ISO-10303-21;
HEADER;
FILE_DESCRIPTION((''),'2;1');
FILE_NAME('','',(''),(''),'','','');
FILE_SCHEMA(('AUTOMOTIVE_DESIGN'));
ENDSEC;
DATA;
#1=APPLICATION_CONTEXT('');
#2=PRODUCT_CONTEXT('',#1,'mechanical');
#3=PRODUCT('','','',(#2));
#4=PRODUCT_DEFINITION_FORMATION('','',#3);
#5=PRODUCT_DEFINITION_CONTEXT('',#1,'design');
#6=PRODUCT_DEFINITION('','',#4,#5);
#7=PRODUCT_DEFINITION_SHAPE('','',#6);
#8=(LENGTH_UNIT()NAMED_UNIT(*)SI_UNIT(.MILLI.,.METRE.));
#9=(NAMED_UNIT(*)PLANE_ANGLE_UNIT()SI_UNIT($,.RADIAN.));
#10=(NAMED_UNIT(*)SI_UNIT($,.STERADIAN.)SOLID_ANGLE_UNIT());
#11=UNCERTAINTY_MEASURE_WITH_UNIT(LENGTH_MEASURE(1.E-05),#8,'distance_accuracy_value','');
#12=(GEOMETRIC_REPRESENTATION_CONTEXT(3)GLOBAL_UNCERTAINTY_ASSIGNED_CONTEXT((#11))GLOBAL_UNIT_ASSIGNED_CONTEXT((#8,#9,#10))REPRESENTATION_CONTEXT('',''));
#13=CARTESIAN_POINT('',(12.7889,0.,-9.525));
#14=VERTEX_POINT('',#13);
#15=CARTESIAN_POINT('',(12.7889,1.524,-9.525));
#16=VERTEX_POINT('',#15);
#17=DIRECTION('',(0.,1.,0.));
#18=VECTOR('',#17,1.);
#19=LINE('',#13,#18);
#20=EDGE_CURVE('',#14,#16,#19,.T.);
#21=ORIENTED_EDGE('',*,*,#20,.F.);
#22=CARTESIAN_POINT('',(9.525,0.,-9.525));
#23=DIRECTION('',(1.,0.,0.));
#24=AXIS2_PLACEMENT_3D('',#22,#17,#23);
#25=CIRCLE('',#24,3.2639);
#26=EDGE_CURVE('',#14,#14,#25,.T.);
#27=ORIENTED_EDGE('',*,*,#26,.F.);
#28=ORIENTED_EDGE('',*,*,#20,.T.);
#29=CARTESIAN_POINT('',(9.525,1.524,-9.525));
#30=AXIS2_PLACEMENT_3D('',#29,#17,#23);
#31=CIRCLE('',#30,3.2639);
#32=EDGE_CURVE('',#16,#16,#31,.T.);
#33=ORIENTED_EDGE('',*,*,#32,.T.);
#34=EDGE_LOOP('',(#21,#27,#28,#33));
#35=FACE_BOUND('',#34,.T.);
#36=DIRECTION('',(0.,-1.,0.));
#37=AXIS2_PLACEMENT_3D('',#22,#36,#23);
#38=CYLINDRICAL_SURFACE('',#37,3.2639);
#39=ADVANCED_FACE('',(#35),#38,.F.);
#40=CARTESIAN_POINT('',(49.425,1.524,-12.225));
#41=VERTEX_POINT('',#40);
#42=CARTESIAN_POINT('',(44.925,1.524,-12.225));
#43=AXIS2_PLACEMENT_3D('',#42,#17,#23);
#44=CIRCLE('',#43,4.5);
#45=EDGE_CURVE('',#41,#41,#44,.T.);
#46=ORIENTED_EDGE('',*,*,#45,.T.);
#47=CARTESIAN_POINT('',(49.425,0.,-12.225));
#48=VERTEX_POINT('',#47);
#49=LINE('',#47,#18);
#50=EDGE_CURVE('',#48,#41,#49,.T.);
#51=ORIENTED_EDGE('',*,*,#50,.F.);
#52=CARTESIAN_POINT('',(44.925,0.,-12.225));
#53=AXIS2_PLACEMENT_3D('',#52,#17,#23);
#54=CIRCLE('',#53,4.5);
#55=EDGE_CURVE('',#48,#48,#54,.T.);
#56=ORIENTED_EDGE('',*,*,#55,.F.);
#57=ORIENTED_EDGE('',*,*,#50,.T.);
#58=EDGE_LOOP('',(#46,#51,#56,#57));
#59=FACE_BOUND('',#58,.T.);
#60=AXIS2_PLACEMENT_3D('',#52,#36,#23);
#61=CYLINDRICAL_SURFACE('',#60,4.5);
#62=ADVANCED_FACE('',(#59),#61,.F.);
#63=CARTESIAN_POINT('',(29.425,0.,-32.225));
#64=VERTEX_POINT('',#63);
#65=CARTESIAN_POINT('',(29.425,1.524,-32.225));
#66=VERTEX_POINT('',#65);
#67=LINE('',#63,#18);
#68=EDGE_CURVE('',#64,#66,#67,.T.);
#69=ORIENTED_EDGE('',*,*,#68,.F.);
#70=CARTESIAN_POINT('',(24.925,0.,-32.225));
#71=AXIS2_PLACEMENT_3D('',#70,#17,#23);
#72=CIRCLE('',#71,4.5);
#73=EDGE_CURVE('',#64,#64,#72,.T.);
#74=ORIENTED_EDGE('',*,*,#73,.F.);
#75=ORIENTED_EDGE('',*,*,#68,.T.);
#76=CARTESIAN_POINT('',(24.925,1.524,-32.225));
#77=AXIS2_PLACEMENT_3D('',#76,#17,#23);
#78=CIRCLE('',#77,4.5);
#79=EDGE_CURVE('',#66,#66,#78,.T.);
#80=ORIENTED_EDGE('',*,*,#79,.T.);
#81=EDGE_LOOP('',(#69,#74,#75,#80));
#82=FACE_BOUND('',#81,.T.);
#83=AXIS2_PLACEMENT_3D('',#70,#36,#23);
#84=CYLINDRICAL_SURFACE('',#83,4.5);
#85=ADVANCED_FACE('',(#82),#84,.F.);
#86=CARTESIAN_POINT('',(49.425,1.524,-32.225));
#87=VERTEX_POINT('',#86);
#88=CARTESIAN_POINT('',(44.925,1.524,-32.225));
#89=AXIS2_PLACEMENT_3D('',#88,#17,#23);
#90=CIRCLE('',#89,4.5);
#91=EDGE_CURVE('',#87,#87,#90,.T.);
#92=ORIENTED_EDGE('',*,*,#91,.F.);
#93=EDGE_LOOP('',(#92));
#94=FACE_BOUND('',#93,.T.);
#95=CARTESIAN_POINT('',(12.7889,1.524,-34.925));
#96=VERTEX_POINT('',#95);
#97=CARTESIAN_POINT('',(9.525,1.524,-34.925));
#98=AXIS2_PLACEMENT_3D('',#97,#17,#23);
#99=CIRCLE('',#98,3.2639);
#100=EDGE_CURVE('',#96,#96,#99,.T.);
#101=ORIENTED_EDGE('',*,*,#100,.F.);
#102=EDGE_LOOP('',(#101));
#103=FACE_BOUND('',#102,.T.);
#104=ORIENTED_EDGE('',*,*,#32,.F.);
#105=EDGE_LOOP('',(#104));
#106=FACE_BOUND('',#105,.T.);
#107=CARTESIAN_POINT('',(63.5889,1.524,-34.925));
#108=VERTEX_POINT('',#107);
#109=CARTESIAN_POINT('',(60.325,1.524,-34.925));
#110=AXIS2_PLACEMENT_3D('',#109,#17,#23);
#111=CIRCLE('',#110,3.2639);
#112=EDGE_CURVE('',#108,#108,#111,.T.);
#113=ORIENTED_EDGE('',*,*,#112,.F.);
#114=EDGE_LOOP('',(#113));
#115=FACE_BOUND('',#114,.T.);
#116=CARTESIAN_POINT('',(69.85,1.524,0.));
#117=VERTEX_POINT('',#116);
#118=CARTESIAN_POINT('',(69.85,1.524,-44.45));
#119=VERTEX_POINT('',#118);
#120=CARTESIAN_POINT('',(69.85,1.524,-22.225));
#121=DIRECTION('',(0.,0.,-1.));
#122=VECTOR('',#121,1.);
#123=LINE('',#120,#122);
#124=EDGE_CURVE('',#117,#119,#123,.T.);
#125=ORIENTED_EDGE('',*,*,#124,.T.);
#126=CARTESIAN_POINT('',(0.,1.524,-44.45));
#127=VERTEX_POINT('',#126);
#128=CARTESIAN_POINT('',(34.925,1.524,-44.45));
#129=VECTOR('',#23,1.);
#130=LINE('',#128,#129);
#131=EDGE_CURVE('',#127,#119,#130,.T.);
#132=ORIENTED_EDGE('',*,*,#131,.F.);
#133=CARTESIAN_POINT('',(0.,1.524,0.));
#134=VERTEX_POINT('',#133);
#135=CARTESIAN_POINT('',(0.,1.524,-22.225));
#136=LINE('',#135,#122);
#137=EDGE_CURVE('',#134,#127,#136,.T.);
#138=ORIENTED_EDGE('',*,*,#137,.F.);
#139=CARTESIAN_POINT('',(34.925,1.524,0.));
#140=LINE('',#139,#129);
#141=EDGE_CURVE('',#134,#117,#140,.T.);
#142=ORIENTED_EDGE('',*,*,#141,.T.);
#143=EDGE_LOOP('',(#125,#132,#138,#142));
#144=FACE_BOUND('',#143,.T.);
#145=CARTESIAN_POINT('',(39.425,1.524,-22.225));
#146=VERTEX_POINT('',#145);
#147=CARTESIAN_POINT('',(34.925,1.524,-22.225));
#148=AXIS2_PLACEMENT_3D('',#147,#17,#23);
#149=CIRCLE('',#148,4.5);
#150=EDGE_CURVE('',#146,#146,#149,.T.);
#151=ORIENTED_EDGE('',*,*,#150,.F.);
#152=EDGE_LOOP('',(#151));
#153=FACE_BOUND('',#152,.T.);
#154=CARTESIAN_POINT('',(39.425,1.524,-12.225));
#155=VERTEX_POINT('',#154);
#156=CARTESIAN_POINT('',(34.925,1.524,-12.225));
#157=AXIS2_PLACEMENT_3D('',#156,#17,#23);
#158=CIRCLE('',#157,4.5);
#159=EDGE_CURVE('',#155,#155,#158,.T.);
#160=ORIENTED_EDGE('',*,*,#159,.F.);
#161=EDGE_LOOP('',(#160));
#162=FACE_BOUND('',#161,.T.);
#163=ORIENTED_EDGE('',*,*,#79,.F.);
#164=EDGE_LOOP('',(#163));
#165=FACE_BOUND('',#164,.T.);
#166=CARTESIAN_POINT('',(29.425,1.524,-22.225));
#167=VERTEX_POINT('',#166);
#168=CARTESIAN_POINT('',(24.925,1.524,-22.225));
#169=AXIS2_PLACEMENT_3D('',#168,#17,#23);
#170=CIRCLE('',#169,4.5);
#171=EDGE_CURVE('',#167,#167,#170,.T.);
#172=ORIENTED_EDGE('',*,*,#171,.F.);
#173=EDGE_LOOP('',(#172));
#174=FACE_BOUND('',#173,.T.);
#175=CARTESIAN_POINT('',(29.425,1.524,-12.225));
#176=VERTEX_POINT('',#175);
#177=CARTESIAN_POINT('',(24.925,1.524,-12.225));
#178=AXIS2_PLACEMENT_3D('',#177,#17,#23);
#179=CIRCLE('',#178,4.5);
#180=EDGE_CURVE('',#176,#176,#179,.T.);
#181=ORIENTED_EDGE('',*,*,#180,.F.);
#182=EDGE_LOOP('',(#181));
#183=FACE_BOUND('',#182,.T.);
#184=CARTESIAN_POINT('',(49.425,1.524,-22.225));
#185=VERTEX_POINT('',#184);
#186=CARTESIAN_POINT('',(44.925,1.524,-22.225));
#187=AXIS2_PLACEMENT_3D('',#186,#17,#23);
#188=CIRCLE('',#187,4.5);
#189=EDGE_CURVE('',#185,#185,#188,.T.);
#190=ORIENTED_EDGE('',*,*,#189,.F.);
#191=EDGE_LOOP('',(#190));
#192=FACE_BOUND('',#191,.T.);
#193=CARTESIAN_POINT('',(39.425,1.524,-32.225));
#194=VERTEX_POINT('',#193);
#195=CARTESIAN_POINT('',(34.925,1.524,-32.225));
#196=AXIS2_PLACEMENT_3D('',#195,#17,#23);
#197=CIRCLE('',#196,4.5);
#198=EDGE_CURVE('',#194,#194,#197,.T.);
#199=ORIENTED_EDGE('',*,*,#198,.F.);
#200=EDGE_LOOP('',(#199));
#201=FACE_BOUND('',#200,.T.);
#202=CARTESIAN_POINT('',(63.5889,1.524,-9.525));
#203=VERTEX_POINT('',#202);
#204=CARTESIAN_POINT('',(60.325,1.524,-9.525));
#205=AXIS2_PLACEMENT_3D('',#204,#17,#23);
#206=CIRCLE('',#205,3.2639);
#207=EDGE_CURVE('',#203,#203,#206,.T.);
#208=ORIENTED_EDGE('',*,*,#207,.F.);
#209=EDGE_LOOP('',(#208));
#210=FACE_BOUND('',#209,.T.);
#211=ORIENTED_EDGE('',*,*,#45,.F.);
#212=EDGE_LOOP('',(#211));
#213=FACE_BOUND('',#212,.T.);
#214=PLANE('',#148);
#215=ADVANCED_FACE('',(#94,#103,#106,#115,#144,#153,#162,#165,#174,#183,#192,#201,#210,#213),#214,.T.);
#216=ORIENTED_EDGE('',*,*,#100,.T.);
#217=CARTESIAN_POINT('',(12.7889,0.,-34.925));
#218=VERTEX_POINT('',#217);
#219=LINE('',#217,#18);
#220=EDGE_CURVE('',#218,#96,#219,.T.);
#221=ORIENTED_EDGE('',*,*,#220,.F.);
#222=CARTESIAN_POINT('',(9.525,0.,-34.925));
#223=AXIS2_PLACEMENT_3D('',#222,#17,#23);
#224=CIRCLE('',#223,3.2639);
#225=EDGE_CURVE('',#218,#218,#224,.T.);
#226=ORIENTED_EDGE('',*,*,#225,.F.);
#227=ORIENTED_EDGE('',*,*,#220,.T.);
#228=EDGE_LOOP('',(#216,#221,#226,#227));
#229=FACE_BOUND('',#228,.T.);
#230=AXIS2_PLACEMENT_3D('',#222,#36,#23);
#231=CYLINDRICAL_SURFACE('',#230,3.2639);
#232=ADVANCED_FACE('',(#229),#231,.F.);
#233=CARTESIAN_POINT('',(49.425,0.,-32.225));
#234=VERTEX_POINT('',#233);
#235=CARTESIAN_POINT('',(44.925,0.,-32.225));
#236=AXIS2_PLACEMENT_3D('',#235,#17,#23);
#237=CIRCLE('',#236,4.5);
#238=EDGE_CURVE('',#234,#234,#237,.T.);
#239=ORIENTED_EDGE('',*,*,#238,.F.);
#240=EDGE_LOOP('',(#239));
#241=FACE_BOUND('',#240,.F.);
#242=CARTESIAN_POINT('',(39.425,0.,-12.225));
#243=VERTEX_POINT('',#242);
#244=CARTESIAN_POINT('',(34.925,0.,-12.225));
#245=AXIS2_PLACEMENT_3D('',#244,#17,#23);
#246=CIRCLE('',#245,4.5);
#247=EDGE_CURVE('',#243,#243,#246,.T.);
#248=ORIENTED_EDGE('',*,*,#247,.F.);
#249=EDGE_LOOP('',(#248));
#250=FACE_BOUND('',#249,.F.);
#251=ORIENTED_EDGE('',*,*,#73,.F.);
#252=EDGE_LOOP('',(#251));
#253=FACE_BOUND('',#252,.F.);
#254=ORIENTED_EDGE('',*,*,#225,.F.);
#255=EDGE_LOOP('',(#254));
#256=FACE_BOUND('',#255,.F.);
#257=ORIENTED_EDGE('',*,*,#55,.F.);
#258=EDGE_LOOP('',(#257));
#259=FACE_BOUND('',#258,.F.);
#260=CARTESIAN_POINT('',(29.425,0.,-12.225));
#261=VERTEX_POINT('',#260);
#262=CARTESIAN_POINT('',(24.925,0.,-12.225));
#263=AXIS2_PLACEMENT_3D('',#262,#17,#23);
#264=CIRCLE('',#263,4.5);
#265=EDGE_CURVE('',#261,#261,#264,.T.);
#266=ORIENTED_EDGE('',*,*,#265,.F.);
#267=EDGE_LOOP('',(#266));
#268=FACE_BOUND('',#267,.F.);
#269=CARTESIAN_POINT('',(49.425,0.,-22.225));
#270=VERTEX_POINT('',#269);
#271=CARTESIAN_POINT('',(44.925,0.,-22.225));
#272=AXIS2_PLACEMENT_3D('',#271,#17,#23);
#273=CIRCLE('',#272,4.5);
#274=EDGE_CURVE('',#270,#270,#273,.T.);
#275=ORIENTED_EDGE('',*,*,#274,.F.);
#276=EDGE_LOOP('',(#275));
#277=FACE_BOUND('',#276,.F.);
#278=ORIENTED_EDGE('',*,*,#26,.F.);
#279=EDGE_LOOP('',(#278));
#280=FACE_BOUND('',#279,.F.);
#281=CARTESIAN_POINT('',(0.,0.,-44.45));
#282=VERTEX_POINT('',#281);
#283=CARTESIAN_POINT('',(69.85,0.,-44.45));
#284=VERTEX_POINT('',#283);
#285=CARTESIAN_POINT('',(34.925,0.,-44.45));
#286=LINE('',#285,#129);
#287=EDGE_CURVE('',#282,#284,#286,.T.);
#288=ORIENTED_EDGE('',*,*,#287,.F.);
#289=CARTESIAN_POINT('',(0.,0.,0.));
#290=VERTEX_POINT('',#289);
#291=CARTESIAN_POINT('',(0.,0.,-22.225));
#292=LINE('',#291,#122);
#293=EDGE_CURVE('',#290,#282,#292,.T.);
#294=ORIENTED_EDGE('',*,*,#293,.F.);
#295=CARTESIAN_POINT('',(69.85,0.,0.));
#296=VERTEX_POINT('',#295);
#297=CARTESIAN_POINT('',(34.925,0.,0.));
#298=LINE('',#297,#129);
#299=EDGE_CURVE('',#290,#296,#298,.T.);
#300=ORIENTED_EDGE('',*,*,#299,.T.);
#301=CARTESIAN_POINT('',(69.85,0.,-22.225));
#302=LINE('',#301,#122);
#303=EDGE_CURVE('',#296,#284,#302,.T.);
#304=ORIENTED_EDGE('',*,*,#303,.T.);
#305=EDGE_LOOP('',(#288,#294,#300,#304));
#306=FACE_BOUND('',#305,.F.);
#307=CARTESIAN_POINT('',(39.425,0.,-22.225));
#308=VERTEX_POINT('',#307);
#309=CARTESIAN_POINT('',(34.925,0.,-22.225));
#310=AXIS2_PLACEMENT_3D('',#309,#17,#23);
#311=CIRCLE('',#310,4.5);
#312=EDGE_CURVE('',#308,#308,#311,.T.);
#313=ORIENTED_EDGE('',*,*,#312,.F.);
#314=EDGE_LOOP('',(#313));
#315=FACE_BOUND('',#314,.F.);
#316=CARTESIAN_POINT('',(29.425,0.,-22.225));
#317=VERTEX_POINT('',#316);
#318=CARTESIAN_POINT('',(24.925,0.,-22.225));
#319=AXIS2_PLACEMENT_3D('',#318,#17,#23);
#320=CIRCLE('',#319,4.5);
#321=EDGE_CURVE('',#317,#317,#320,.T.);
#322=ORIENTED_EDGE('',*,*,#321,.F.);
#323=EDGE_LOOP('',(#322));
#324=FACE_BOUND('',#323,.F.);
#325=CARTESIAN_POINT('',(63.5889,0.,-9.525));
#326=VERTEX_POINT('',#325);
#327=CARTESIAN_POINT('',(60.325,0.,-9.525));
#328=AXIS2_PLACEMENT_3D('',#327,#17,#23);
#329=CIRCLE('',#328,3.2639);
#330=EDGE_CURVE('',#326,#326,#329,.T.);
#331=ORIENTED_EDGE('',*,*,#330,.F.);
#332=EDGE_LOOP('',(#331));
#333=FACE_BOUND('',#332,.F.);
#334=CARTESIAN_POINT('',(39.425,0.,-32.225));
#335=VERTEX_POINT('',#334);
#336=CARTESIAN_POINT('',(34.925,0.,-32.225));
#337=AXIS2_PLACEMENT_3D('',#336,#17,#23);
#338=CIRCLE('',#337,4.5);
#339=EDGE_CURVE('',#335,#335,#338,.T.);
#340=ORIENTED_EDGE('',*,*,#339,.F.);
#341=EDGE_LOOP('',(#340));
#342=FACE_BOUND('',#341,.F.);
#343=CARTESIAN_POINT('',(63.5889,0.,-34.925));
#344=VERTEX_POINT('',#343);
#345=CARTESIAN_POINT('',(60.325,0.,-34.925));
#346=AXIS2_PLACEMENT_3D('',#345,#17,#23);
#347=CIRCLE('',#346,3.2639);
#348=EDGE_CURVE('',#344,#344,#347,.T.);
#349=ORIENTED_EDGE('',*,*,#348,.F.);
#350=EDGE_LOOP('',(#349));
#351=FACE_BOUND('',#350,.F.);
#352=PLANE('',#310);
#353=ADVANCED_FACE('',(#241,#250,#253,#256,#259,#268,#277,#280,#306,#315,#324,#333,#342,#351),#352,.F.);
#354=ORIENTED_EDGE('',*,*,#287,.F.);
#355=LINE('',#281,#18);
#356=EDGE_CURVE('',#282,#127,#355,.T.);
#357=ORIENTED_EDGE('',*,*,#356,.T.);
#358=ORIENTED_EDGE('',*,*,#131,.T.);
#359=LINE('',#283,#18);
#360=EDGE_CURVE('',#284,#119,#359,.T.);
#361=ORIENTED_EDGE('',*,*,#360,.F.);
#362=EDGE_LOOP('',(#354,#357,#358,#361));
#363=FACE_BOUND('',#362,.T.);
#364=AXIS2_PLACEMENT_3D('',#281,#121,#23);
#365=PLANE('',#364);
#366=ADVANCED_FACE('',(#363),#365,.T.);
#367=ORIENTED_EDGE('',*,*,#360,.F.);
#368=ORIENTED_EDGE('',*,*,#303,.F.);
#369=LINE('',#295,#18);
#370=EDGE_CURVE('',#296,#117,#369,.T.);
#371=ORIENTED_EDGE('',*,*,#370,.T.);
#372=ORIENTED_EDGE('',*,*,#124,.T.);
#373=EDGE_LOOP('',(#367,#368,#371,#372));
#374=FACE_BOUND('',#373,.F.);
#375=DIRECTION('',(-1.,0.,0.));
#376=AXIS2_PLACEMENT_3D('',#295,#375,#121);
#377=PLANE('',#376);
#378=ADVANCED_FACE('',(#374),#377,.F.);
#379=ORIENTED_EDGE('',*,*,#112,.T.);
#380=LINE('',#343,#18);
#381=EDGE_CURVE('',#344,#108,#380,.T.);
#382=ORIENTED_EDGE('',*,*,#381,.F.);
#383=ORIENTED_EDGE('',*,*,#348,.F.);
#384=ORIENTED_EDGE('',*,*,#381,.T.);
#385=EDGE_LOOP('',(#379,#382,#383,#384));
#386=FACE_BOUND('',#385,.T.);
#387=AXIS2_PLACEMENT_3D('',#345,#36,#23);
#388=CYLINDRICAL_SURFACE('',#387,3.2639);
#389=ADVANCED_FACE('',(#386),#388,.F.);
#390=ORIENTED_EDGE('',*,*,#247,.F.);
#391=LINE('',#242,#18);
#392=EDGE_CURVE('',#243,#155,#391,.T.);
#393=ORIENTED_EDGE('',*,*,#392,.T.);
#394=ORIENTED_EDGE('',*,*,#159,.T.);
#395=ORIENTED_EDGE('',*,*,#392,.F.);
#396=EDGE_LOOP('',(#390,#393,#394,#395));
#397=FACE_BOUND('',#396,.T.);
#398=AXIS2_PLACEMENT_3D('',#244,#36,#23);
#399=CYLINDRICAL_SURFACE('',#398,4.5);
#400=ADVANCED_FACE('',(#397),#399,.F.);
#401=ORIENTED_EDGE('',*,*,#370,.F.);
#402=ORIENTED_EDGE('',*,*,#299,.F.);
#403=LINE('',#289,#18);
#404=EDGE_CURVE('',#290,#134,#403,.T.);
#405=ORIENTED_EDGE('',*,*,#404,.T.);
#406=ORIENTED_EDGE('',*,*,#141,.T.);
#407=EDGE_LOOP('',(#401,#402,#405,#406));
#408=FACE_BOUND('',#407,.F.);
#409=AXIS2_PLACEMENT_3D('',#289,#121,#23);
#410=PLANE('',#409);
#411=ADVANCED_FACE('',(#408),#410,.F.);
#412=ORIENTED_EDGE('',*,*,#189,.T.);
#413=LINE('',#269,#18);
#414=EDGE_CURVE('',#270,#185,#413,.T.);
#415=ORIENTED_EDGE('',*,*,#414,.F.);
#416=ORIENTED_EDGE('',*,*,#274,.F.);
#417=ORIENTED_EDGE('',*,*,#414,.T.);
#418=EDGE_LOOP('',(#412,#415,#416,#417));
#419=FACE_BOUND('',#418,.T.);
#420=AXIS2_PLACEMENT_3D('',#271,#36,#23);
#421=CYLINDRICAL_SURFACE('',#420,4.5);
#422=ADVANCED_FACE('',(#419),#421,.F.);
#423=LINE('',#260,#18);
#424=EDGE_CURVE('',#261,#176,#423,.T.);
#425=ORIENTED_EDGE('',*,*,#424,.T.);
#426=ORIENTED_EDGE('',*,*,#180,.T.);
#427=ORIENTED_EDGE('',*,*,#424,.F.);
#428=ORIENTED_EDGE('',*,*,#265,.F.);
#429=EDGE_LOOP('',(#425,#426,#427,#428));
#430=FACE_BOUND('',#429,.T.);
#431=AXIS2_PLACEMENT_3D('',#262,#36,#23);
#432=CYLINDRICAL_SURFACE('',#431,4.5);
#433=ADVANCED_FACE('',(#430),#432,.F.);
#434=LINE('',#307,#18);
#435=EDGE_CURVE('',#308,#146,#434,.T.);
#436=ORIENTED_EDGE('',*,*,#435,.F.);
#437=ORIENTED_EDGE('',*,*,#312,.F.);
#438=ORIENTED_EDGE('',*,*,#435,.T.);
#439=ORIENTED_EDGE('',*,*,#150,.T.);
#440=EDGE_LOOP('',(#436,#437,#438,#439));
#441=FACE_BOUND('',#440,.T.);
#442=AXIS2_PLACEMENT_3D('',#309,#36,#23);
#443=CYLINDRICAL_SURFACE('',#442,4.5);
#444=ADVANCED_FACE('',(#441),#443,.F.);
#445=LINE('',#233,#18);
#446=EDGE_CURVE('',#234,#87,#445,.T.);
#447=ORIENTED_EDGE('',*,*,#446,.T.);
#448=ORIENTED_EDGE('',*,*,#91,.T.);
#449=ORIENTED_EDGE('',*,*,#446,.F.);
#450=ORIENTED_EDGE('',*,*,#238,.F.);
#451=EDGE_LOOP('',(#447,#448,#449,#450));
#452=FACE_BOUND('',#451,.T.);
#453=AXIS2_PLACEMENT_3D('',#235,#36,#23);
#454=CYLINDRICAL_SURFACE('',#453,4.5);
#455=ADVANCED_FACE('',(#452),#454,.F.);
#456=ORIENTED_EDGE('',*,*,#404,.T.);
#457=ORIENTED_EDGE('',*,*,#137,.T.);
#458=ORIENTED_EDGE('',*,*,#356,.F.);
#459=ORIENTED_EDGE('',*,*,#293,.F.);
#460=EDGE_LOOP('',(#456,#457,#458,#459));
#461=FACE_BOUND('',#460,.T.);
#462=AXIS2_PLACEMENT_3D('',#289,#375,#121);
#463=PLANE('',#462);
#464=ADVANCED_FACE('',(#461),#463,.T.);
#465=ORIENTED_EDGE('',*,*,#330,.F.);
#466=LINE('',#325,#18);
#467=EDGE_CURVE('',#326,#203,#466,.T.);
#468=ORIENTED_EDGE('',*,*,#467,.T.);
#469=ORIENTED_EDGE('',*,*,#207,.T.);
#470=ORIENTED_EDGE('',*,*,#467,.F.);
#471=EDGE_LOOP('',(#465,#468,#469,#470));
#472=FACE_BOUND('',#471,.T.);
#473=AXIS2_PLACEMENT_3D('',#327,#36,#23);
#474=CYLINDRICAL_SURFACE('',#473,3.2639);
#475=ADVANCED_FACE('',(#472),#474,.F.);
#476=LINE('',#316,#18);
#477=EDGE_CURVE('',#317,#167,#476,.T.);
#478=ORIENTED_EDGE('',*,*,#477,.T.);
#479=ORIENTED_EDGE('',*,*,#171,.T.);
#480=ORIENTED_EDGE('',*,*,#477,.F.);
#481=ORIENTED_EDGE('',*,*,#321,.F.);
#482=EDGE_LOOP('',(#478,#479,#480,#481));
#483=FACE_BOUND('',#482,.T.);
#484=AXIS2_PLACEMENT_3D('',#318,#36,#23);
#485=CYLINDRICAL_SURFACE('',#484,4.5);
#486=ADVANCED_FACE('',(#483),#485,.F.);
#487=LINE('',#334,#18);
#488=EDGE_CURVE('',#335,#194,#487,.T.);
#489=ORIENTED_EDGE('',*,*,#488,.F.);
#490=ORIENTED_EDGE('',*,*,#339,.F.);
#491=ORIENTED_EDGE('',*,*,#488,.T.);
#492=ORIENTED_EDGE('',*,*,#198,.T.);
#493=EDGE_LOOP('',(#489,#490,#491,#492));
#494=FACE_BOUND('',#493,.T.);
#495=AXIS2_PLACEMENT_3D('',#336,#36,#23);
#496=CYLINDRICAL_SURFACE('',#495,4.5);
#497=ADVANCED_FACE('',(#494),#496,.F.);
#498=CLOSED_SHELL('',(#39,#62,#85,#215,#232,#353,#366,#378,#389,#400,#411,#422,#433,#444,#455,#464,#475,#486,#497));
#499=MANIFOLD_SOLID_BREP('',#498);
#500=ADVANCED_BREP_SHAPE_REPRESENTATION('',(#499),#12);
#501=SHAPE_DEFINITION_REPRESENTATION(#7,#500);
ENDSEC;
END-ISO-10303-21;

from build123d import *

# Parameters (mm, degrees)
SKETCH1_W           = 69.85
SKETCH1_H           = 44.45
SKETCH1_R           = 4.5
SKETCH1_R_2         = 3.2639
BOSS_EXTRUDE1_DEPTH = 1.524


with BuildPart() as part:
    # Sketch1 → Boss-Extrude1 (new body)
    with BuildSketch(Plane(origin=(0, 0, 0), x_dir=(1, 0, 0), z_dir=(0, 1, 0))):
        with Locations((34.925, 22.225)):
            Rectangle(SKETCH1_W, SKETCH1_H)
        with Locations((24.925, 12.225)):
            Circle(SKETCH1_R, mode=Mode.SUBTRACT)
        with Locations((24.925, 32.225)):
            Circle(SKETCH1_R, mode=Mode.SUBTRACT)
        with Locations((24.925, 22.225)):
            Circle(SKETCH1_R, mode=Mode.SUBTRACT)
        with Locations((34.925, 12.225)):
            Circle(SKETCH1_R, mode=Mode.SUBTRACT)
        with Locations((44.925, 12.225)):
            Circle(SKETCH1_R, mode=Mode.SUBTRACT)
        with Locations((34.925, 32.225)):
            Circle(SKETCH1_R, mode=Mode.SUBTRACT)
        with Locations((44.925, 32.225)):
            Circle(SKETCH1_R, mode=Mode.SUBTRACT)
        with Locations((44.925, 22.225)):
            Circle(SKETCH1_R, mode=Mode.SUBTRACT)
        with Locations((34.925, 22.225)):
            Circle(SKETCH1_R, mode=Mode.SUBTRACT)
        with Locations((60.325, 9.525)):
            Circle(SKETCH1_R_2, mode=Mode.SUBTRACT)
        with Locations((9.525, 9.525)):
            Circle(SKETCH1_R_2, mode=Mode.SUBTRACT)
        with Locations((60.325, 34.925)):
            Circle(SKETCH1_R_2, mode=Mode.SUBTRACT)
        with Locations((9.525, 34.925)):
            Circle(SKETCH1_R_2, mode=Mode.SUBTRACT)
    extrude(amount=BOSS_EXTRUDE1_DEPTH)


solid = part.part
